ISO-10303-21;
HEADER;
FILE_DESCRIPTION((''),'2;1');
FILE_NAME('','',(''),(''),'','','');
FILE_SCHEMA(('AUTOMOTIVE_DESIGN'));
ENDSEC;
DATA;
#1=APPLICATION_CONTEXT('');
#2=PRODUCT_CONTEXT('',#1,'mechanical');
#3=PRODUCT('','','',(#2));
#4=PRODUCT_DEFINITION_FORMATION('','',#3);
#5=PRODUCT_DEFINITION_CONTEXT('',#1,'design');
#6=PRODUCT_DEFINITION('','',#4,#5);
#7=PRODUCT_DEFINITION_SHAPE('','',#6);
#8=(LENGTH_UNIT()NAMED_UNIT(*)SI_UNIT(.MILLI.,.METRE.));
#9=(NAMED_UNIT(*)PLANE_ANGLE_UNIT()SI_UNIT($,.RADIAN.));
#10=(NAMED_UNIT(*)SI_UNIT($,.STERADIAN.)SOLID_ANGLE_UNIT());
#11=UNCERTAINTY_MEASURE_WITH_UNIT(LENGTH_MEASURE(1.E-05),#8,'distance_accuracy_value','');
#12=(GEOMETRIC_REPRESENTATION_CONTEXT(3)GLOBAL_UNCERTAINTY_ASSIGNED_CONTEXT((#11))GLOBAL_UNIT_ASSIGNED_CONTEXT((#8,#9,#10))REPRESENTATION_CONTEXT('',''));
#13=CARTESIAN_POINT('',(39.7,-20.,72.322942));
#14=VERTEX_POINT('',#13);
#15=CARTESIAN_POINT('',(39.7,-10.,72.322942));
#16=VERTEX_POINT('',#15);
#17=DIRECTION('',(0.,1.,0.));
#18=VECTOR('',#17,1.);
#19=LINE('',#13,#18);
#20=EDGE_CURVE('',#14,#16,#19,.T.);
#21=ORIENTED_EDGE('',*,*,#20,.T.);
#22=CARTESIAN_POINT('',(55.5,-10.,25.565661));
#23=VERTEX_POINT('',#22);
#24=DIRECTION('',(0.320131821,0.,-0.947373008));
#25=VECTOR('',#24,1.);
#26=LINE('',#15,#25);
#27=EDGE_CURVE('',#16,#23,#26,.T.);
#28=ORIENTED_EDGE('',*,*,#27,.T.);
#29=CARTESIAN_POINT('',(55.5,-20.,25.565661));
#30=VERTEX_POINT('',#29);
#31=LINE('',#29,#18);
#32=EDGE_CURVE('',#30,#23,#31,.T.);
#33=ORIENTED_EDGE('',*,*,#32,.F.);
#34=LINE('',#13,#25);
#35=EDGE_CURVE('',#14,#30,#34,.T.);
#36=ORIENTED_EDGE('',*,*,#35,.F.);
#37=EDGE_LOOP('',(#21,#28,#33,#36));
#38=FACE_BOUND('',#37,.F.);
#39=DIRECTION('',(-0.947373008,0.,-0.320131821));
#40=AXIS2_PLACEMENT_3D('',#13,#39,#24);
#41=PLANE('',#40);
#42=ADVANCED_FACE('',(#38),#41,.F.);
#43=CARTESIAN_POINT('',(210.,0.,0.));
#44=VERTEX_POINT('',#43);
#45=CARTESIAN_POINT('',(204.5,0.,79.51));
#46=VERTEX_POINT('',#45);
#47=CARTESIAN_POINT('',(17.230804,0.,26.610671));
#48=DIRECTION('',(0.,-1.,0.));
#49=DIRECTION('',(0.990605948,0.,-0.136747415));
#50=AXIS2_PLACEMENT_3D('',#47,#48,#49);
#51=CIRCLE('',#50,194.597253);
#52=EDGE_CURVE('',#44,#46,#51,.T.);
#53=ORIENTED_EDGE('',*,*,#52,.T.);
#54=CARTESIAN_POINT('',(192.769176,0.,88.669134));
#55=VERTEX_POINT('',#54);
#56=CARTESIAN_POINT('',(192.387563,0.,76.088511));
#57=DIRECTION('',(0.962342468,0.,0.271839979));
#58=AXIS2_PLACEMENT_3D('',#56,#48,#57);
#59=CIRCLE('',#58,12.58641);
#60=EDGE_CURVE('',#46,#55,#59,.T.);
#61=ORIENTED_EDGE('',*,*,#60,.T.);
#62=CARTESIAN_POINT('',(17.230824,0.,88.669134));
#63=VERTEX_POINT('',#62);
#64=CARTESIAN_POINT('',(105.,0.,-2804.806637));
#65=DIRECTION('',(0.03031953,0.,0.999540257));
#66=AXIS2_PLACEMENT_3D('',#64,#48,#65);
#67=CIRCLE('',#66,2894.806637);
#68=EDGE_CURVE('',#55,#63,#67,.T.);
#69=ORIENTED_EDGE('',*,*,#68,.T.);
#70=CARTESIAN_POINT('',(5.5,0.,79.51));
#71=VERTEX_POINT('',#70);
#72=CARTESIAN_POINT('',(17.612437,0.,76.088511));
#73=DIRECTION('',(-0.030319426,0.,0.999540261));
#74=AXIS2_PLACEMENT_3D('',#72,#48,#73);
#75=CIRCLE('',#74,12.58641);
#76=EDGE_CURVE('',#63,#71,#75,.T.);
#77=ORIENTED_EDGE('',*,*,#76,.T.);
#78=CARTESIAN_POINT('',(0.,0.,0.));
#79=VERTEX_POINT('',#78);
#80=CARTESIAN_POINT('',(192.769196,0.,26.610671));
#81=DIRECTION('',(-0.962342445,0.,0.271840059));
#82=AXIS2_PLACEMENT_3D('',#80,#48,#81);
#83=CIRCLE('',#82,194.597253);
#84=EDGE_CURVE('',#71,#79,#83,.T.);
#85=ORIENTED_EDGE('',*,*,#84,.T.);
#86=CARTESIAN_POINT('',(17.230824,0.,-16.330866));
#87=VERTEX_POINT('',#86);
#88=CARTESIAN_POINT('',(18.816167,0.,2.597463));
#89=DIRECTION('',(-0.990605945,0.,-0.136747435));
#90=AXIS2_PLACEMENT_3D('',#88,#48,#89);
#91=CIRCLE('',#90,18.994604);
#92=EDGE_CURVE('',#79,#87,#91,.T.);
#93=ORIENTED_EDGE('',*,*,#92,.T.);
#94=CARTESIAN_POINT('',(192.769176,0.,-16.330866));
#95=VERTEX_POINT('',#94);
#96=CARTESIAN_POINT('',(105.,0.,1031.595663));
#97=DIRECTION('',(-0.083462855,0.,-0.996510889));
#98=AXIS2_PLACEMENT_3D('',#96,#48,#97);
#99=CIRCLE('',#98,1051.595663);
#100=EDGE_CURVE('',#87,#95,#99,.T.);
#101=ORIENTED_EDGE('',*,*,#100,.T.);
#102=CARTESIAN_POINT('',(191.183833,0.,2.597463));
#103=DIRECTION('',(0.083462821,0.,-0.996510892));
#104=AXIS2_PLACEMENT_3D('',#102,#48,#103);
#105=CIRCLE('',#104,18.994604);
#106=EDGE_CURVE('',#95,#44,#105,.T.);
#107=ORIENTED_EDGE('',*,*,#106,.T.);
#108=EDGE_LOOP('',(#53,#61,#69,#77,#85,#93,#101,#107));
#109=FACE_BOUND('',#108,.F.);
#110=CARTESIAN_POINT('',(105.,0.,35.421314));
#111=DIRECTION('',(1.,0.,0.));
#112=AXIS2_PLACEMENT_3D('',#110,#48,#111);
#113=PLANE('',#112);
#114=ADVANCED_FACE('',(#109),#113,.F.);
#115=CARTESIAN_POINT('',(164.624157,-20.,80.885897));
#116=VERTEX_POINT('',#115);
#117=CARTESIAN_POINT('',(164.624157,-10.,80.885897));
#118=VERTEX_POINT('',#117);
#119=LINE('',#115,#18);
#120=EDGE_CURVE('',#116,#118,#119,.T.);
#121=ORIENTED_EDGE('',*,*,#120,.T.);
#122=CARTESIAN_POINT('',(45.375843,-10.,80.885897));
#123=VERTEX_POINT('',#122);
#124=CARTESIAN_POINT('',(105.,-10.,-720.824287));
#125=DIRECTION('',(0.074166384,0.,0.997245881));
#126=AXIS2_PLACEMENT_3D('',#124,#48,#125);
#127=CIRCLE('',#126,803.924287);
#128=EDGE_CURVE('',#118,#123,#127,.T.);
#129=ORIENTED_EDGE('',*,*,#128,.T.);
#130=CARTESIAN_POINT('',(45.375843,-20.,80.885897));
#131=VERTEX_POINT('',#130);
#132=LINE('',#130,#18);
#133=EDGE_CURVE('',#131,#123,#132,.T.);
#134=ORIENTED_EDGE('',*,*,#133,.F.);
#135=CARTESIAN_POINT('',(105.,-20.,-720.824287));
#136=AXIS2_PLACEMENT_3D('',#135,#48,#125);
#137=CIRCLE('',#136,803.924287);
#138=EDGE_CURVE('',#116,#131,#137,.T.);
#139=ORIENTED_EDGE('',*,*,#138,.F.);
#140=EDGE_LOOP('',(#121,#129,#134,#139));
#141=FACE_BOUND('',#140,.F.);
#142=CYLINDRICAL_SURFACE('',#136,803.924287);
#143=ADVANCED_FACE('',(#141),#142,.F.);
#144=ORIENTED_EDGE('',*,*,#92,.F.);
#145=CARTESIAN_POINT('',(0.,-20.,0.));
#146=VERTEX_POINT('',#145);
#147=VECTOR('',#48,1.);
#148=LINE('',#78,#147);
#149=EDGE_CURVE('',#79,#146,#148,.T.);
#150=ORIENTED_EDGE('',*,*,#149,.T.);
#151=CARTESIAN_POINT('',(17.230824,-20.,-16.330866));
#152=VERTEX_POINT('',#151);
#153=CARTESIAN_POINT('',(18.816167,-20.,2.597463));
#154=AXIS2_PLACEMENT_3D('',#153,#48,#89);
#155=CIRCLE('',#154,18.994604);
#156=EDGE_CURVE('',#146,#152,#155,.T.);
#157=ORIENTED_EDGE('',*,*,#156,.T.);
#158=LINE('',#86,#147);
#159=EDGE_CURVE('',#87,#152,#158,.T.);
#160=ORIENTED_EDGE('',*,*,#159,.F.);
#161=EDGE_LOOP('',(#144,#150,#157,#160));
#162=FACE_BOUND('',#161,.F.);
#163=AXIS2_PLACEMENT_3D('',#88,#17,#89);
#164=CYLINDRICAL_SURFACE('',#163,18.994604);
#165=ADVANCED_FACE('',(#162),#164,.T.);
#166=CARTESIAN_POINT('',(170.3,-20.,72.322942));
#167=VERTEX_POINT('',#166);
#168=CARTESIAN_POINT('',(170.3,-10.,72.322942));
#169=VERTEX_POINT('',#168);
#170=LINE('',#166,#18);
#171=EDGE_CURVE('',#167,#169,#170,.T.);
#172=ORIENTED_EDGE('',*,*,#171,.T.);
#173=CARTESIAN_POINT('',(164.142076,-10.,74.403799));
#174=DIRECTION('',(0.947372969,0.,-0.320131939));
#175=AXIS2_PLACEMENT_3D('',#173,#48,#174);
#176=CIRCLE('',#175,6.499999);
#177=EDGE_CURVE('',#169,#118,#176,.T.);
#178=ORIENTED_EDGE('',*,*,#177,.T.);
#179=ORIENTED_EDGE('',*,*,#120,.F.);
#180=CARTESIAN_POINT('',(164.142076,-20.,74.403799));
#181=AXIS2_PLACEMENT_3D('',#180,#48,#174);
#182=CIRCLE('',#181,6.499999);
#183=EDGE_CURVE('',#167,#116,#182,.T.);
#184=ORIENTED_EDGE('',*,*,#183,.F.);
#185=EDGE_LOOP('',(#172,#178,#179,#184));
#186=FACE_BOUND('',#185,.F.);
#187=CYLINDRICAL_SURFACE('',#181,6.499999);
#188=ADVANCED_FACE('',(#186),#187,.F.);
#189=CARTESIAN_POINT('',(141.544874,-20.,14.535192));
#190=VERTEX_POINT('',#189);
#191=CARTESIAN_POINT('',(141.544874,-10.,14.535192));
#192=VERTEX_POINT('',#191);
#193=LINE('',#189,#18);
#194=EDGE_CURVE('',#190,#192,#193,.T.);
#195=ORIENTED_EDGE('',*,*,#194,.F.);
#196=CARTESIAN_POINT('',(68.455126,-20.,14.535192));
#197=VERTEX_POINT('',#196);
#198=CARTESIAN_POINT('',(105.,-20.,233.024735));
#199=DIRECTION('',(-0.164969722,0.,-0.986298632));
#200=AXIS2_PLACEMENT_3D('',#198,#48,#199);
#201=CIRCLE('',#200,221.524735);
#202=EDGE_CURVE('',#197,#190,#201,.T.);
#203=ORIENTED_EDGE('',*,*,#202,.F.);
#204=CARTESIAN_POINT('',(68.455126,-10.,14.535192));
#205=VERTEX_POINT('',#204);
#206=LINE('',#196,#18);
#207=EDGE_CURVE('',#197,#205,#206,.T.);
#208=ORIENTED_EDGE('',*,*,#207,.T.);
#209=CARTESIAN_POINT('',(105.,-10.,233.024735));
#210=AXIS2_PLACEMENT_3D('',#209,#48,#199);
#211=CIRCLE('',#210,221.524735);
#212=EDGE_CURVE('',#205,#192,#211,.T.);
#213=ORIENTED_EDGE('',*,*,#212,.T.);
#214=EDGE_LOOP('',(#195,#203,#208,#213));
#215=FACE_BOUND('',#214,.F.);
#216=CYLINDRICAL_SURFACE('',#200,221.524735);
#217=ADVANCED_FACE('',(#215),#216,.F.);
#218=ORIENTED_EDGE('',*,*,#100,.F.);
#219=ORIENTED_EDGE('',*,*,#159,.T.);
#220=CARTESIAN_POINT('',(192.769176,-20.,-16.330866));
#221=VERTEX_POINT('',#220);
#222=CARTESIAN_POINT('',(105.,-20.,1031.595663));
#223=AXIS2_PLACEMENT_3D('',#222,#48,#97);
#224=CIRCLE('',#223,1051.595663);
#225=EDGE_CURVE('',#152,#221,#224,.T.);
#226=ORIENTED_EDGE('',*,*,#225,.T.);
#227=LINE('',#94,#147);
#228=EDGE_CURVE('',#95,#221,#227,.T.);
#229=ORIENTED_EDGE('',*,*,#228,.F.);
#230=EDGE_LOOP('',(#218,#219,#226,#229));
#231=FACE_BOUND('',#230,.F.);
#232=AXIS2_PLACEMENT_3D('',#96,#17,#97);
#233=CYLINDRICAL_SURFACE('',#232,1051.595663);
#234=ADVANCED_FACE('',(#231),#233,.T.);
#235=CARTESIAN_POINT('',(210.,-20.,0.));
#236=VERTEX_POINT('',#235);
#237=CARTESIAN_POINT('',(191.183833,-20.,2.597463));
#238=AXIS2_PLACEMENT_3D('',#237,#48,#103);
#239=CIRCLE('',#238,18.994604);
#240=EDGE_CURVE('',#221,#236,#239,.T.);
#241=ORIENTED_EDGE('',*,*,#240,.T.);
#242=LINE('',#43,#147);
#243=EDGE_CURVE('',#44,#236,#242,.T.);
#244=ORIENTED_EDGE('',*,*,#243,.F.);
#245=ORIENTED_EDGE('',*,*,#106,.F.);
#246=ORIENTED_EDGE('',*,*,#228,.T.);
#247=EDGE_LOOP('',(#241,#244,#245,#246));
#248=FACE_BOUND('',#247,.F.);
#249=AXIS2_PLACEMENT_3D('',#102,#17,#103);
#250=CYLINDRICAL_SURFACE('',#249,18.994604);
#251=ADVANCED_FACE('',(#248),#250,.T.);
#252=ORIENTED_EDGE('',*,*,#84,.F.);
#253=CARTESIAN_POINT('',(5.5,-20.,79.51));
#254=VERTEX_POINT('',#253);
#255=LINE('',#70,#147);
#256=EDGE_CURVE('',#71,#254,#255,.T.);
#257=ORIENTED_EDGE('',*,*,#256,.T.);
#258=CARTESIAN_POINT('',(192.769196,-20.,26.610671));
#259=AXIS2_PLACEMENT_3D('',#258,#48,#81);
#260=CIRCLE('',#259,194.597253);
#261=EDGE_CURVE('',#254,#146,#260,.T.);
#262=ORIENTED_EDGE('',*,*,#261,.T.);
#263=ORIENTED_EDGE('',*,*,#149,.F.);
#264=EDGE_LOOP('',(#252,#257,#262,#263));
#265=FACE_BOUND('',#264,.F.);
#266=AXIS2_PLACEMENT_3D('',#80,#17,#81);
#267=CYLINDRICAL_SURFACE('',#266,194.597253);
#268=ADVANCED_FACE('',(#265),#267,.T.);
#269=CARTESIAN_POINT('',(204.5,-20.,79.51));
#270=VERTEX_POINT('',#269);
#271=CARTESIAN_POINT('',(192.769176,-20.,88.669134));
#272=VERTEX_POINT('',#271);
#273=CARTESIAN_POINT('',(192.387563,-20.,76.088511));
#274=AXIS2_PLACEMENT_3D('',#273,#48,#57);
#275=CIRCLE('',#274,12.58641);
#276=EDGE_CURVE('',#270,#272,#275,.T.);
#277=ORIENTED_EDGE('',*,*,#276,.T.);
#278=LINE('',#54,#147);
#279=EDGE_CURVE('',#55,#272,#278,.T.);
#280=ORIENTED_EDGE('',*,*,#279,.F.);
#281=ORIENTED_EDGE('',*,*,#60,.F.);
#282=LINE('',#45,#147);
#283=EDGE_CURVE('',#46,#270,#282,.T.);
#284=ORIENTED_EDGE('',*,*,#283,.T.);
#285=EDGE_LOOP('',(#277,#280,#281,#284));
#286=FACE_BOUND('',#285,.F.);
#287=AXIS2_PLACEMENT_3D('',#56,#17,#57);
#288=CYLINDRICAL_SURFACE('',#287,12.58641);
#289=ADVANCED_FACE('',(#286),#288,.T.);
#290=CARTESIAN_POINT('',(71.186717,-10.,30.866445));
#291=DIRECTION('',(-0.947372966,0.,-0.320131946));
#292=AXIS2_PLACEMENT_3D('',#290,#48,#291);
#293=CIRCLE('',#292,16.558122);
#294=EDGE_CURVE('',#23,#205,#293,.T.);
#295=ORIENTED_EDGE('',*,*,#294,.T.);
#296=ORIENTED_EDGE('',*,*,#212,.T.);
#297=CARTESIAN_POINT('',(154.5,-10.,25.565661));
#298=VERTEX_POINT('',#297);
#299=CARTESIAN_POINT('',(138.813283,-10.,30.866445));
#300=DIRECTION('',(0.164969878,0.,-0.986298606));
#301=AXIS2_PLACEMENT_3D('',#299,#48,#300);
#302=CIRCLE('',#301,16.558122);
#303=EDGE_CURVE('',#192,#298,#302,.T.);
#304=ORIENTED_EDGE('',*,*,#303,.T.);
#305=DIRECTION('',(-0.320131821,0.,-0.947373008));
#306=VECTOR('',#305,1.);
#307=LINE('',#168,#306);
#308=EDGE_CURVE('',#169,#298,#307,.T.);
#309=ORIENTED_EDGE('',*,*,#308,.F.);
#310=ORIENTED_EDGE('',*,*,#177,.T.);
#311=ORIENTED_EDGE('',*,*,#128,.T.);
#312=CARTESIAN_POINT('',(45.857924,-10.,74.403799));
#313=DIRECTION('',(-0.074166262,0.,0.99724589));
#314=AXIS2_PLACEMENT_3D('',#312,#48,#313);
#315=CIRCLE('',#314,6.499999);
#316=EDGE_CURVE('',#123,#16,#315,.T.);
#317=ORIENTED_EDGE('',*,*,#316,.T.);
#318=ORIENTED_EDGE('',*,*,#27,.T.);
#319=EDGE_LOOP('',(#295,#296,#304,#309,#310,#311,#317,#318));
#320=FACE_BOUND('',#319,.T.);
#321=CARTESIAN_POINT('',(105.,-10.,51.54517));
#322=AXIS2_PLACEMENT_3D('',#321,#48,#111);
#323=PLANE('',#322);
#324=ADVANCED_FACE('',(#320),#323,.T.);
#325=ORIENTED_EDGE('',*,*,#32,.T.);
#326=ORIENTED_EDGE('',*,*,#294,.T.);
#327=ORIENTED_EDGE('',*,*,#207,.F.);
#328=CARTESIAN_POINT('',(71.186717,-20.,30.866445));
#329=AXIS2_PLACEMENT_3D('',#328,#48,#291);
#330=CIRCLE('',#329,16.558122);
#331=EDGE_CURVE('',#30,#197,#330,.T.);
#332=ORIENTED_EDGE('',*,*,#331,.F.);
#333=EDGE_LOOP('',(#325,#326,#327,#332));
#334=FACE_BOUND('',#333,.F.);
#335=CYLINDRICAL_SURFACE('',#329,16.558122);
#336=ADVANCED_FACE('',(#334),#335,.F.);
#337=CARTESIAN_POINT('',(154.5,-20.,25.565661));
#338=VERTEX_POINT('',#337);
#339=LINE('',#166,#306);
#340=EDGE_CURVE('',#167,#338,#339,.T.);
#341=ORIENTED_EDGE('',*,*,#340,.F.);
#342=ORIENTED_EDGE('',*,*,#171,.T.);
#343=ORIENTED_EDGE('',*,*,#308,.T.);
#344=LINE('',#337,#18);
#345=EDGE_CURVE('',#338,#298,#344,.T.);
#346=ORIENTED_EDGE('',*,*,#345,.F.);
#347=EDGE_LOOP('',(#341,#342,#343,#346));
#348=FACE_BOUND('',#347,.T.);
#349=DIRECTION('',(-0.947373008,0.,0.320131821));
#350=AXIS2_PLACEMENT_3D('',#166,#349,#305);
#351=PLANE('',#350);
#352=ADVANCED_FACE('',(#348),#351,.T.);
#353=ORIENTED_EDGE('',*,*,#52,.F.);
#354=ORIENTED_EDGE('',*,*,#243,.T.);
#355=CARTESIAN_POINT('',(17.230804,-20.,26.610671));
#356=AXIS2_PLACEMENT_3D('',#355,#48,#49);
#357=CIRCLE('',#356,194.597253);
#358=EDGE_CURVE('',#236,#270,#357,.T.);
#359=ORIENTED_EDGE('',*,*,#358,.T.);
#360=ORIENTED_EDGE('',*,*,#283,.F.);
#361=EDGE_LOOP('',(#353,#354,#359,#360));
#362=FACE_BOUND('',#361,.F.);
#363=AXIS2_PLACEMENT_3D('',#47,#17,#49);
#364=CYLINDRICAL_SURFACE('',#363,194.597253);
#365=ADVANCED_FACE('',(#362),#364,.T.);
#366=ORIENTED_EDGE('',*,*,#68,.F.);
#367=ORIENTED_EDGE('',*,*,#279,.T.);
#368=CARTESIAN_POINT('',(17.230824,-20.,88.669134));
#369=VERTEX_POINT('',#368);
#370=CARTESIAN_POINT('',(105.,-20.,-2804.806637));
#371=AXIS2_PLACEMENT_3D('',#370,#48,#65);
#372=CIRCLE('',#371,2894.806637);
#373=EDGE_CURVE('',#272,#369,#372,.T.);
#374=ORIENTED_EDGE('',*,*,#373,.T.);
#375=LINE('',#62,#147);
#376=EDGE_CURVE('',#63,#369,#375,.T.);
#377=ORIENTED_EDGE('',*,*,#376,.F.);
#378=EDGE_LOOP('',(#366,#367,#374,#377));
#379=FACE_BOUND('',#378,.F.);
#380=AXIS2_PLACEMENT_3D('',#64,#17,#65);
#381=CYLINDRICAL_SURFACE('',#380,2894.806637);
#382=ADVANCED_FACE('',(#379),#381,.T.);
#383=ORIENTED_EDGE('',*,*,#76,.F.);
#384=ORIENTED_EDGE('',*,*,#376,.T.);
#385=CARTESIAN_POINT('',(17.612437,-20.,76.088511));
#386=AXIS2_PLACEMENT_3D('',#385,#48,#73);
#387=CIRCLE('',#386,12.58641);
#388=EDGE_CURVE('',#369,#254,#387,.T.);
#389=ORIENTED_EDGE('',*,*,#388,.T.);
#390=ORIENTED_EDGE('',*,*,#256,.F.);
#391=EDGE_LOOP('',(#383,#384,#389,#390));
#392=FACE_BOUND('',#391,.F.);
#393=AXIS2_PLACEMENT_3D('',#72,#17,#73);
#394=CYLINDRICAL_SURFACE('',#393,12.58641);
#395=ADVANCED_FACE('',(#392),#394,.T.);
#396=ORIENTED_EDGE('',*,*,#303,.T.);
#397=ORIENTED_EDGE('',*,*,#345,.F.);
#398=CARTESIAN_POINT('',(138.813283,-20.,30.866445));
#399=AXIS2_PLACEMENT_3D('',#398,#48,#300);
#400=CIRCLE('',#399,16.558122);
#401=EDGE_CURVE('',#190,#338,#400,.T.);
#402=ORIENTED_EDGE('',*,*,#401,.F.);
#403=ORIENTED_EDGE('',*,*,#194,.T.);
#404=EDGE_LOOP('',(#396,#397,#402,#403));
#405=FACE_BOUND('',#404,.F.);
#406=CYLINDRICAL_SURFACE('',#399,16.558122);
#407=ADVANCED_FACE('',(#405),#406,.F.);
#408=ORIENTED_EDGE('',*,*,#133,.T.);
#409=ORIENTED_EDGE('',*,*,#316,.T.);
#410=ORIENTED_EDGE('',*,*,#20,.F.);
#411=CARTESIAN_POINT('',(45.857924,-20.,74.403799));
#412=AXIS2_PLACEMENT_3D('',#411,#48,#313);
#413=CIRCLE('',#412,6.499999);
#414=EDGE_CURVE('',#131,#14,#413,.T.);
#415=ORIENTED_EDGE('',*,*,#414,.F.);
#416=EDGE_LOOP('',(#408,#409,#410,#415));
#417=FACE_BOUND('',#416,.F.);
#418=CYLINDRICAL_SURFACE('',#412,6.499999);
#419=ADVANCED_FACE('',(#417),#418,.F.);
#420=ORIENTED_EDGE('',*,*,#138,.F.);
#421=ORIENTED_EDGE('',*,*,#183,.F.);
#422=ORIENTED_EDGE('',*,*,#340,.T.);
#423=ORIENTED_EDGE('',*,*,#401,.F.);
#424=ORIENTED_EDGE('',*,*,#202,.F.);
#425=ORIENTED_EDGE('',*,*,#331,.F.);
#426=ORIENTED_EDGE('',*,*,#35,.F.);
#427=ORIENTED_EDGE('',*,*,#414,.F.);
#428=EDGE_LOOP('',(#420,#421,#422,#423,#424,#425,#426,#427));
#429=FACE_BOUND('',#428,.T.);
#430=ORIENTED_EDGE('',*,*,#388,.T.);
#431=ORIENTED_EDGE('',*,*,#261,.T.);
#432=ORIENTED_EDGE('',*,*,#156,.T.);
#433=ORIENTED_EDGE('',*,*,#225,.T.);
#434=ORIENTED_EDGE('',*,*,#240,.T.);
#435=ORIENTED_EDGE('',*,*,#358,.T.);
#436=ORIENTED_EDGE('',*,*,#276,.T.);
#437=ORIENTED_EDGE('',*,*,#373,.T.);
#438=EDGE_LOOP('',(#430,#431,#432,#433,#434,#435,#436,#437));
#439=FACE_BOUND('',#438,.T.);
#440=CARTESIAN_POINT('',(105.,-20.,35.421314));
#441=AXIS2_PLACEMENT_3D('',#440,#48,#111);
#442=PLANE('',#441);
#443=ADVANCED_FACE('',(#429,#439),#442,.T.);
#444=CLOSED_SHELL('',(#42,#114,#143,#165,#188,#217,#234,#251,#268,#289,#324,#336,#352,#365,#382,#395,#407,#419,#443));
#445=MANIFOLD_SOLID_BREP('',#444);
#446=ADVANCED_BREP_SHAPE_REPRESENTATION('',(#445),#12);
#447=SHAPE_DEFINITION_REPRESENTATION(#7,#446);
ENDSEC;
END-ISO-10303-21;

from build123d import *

# Parameters (mm, degrees)
PAD_DEPTH    = 20
POCKET_DEPTH = 10


with BuildPart() as part:
    # Sketch → Pad (new body)
    with BuildSketch(Plane.XZ):
        with BuildLine():
            ThreePointArc((0, 0), (5.749809, -11.188952), (17.230824, -16.330866))
            ThreePointArc((17.230824, -16.330866), (105, -20), (192.769176, -16.330866))
            ThreePointArc((192.769176, -16.330866), (204.250191, -11.188952), (210, 0))
            ThreePointArc((210, 0), (211.364147, 40.039591), (204.5, 79.51))
            ThreePointArc((204.5, 79.51), (200.133385, 86.009194), (192.769176, 88.669134))
            ThreePointArc((192.769176, 88.669134), (105, 90), (17.230824, 88.669134))
            ThreePointArc((17.230824, 88.669134), (9.866615, 86.009194), (5.5, 79.51))
            ThreePointArc((5.5, 79.51), (-1.364147, 40.039591), (0, 0))
        make_face()
    extrude(amount=PAD_DEPTH)

    # Sketch001 (on Face10 of Pad) → Pocket (cut)
    with BuildSketch(Plane.XZ.offset(20)):
        with BuildLine():
            ThreePointArc((164.624157, 80.885897), (105, 83.1), (45.375843, 80.885897))
            ThreePointArc((45.375843, 80.885897), (40.44004, 77.994973), (39.7, 72.322942))
            Line((39.7, 72.322942), (55.5, 25.565661))
            ThreePointArc((55.5, 25.565661), (60.452364, 18.259103), (68.455126, 14.535192))
            ThreePointArc((68.455126, 14.535192), (105, 11.5), (141.544874, 14.535192))
            ThreePointArc((141.544874, 14.535192), (149.547636, 18.259103), (154.5, 25.565661))
            Line((170.3, 72.322942), (154.5, 25.565661))
            ThreePointArc((170.3, 72.322942), (169.55996, 77.994973), (164.624157, 80.885897))
        make_face()
    extrude(amount=-POCKET_DEPTH, mode=Mode.SUBTRACT)


solid = part.part
